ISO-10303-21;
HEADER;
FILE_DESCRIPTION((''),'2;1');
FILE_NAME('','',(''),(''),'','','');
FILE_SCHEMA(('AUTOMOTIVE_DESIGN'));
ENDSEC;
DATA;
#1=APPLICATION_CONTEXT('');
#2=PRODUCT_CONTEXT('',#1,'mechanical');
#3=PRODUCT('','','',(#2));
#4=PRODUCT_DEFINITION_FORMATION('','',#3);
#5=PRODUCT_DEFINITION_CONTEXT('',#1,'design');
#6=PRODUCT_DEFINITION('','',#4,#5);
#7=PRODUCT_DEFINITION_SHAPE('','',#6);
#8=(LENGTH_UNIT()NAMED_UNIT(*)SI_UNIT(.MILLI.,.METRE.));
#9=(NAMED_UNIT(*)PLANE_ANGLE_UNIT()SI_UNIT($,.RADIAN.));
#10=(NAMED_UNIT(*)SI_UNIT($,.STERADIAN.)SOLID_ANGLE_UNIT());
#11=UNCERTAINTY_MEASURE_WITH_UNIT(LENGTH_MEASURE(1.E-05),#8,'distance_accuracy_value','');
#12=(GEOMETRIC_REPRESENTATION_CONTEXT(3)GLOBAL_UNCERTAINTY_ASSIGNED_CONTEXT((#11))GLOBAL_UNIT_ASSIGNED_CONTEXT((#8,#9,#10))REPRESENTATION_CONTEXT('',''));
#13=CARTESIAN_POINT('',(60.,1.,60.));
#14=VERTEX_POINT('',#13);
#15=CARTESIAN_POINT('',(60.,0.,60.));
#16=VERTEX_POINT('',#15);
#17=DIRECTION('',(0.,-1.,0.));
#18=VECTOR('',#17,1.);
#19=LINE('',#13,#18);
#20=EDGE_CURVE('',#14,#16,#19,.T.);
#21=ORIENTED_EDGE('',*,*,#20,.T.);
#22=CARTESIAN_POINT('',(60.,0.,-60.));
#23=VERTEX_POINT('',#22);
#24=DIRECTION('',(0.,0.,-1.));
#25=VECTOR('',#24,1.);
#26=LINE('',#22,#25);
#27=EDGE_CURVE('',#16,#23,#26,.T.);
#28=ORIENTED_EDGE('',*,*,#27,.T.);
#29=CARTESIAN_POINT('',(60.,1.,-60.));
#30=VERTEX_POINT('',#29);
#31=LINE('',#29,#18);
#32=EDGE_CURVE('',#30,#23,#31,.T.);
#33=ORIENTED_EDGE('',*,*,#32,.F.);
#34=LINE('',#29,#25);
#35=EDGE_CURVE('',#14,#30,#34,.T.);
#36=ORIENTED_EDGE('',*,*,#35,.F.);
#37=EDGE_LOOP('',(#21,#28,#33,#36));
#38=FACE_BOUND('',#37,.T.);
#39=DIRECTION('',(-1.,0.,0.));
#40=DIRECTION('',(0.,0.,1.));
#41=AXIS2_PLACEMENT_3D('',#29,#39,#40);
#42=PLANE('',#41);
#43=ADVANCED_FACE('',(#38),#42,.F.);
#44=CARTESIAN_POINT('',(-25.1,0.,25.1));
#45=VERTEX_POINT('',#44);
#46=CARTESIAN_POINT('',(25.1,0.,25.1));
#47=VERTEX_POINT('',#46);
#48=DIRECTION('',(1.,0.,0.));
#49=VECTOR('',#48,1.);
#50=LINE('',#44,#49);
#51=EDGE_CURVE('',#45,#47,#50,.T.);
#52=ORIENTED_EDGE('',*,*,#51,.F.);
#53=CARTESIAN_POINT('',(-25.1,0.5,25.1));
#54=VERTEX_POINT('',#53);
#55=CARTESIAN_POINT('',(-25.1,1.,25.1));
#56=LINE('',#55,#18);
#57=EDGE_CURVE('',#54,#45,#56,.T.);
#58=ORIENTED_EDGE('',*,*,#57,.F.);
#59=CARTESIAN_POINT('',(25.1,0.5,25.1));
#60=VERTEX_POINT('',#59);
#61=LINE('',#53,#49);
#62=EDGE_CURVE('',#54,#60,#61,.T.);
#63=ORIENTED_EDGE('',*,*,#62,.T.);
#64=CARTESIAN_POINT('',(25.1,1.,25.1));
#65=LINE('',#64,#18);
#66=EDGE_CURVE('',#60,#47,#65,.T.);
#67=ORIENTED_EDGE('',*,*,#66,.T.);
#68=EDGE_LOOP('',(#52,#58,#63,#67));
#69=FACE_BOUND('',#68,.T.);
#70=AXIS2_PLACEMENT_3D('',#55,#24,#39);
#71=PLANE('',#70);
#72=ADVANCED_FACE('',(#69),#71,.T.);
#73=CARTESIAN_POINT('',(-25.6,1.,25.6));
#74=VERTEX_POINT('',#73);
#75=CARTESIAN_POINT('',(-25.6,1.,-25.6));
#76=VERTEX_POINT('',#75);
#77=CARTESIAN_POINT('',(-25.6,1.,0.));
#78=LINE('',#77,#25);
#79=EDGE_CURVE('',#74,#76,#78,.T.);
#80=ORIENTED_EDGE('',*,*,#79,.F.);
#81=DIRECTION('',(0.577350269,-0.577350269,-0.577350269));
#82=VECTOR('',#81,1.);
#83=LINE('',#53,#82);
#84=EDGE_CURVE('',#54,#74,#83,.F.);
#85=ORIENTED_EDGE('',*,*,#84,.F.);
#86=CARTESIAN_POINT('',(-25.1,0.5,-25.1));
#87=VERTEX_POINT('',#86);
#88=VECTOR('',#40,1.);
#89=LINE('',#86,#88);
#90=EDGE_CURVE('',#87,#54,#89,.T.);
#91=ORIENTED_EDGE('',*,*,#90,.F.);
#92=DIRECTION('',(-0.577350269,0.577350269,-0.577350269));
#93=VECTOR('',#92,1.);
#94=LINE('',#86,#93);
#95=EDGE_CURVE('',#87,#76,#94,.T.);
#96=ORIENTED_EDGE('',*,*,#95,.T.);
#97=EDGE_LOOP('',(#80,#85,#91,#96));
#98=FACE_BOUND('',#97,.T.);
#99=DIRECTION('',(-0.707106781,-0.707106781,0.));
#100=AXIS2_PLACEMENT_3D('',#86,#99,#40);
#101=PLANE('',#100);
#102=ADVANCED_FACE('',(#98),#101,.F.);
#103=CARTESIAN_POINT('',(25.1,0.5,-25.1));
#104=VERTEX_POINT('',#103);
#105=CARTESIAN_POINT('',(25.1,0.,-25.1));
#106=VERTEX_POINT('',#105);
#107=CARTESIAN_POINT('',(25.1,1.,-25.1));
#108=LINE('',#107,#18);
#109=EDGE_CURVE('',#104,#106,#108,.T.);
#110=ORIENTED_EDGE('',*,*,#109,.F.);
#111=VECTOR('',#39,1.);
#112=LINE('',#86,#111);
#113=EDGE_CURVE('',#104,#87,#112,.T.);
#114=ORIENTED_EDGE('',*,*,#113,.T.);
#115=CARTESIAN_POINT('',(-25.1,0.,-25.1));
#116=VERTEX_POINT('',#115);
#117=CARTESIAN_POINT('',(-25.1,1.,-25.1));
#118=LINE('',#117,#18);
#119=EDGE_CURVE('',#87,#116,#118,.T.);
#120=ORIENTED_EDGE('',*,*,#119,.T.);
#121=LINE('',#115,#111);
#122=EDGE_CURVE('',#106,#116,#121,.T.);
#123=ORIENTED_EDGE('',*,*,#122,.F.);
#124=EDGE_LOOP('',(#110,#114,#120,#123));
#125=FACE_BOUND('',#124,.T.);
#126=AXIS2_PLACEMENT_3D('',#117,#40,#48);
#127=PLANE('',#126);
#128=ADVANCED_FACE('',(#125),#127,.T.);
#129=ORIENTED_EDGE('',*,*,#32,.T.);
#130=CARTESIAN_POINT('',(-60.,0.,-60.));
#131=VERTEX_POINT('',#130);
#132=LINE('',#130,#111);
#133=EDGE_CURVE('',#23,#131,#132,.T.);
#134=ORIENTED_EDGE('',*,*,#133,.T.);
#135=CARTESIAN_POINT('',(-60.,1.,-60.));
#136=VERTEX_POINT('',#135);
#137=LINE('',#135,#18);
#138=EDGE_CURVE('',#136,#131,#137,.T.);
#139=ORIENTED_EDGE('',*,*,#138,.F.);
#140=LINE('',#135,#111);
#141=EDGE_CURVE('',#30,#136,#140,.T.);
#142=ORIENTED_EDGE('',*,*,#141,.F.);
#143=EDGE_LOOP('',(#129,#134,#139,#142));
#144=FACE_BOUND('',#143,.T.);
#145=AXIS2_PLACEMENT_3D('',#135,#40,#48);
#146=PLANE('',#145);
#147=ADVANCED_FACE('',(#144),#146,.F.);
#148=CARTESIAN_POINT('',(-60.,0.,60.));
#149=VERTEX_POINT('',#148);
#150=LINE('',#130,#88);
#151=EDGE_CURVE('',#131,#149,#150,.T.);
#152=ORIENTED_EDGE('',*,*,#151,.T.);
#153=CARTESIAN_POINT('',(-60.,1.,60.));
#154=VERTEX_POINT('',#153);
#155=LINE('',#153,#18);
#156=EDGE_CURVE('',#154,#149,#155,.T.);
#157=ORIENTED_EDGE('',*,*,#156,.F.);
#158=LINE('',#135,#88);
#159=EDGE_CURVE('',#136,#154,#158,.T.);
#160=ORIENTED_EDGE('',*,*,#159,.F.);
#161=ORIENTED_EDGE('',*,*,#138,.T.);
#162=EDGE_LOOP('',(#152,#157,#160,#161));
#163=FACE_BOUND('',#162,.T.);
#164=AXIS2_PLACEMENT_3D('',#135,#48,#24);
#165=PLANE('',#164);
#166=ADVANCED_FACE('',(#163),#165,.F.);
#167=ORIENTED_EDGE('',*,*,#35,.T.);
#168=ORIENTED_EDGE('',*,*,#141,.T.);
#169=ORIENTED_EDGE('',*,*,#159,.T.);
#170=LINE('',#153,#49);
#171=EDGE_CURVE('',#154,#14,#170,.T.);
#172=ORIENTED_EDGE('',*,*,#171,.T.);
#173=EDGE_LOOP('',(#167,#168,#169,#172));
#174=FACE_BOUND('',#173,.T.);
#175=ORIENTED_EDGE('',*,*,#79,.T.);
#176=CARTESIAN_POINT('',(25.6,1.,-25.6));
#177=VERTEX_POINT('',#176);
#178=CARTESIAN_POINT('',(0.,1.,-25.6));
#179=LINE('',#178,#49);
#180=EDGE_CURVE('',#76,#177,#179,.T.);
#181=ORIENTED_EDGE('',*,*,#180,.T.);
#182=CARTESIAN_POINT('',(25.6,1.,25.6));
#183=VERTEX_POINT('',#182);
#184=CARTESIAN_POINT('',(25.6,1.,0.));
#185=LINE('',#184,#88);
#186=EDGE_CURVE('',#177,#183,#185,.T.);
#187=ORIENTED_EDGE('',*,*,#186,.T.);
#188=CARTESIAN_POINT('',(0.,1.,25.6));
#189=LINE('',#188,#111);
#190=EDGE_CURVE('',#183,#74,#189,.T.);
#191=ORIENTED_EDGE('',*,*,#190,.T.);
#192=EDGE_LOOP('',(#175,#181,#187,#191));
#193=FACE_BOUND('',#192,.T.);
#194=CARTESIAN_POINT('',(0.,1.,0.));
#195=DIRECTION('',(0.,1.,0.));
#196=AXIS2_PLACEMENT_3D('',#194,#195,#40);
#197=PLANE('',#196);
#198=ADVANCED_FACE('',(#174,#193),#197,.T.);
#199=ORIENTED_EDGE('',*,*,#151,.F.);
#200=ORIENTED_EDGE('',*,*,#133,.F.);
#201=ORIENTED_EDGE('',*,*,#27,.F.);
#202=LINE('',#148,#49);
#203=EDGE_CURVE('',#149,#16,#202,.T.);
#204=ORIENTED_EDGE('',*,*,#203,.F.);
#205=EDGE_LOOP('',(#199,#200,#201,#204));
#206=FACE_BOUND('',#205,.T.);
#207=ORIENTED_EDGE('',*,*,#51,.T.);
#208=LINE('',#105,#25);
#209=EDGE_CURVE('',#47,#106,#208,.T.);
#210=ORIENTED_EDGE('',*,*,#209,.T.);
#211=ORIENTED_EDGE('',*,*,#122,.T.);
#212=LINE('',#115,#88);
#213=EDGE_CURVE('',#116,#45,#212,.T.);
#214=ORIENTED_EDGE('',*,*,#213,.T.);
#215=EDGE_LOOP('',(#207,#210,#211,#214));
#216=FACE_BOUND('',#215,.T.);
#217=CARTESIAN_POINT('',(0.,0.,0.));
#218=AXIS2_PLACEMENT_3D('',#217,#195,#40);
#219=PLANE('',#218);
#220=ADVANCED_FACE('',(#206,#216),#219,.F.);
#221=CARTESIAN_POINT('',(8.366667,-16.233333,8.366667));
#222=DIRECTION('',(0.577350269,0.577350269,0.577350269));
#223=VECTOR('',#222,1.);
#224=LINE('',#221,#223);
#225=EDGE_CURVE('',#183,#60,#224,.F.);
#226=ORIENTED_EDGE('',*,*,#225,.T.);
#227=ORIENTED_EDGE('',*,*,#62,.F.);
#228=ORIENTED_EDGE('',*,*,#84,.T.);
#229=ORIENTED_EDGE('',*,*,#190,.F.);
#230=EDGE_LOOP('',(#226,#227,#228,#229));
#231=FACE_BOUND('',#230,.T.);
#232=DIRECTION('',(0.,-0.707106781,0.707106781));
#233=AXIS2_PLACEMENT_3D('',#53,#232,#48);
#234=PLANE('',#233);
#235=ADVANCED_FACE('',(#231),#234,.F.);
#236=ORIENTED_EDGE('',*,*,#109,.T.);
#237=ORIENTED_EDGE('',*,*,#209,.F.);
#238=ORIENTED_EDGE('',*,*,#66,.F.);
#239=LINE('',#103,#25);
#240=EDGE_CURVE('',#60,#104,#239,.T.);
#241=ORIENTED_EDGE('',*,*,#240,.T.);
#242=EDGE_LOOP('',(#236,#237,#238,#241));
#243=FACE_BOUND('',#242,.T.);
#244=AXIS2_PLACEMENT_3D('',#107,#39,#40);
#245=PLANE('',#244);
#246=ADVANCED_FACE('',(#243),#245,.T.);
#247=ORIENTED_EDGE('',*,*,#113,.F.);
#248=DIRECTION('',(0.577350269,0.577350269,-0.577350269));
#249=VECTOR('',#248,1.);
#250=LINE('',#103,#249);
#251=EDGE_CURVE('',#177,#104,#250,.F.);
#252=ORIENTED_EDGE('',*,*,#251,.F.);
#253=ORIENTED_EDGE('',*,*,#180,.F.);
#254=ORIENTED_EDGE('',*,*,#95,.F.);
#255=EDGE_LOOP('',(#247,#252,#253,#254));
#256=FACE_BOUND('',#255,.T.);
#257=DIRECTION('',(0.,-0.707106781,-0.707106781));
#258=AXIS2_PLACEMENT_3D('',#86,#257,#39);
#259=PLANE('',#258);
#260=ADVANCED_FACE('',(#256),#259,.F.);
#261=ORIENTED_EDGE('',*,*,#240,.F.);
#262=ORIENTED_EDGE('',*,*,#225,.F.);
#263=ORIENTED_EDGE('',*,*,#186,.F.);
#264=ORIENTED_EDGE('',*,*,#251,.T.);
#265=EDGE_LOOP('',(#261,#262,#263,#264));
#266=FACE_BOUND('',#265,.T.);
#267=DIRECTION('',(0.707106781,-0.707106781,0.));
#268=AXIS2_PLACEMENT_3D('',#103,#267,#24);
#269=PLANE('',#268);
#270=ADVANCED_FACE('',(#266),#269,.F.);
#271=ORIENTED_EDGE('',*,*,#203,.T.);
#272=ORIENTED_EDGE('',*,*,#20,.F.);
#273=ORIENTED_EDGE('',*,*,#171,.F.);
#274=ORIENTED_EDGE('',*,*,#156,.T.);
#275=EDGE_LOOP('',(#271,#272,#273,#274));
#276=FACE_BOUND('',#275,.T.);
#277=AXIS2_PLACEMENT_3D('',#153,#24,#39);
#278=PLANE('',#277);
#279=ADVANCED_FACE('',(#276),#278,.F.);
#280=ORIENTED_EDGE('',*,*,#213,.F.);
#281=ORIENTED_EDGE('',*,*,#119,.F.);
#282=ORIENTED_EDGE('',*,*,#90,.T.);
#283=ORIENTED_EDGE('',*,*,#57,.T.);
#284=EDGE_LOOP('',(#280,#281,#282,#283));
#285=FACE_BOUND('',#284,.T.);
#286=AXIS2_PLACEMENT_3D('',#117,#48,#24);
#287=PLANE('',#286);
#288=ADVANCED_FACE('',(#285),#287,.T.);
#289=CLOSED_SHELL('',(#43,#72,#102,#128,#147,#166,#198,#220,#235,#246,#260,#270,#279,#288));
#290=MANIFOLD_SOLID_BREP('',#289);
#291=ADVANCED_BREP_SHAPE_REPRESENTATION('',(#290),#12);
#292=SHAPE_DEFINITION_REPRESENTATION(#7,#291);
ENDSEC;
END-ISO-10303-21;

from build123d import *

# Parameters (mm, degrees)
SKETCH1_W           = 120
SKETCH1_H           = 120
SKETCH1_W_2         = 50.2
SKETCH1_H_2         = 50.2
BOSS_EXTRUDE1_DEPTH = 1
CHAMFER1_SIZE       = 0.5


with BuildPart() as part:
    # Sketch1 → Boss-Extrude1 (new body)
    with BuildSketch(Plane(origin=(0, 0, 0), x_dir=(1, 0, 0), z_dir=(0, 1, 0))):
        Rectangle(SKETCH1_W, SKETCH1_H)
        Rectangle(SKETCH1_W_2, SKETCH1_H_2, mode=Mode.SUBTRACT)
    extrude(amount=BOSS_EXTRUDE1_DEPTH)

    # Chamfer1
    chamfer1_edges = [part.edges().sort_by_distance(p)[0] for p in [
        (25.1, 1, 0),
        (0, 1, -25.1),
        (-25.1, 1, 0),
        (0, 1, 25.1),
    ]]
    chamfer(chamfer1_edges, length=CHAMFER1_SIZE)


solid = part.part
